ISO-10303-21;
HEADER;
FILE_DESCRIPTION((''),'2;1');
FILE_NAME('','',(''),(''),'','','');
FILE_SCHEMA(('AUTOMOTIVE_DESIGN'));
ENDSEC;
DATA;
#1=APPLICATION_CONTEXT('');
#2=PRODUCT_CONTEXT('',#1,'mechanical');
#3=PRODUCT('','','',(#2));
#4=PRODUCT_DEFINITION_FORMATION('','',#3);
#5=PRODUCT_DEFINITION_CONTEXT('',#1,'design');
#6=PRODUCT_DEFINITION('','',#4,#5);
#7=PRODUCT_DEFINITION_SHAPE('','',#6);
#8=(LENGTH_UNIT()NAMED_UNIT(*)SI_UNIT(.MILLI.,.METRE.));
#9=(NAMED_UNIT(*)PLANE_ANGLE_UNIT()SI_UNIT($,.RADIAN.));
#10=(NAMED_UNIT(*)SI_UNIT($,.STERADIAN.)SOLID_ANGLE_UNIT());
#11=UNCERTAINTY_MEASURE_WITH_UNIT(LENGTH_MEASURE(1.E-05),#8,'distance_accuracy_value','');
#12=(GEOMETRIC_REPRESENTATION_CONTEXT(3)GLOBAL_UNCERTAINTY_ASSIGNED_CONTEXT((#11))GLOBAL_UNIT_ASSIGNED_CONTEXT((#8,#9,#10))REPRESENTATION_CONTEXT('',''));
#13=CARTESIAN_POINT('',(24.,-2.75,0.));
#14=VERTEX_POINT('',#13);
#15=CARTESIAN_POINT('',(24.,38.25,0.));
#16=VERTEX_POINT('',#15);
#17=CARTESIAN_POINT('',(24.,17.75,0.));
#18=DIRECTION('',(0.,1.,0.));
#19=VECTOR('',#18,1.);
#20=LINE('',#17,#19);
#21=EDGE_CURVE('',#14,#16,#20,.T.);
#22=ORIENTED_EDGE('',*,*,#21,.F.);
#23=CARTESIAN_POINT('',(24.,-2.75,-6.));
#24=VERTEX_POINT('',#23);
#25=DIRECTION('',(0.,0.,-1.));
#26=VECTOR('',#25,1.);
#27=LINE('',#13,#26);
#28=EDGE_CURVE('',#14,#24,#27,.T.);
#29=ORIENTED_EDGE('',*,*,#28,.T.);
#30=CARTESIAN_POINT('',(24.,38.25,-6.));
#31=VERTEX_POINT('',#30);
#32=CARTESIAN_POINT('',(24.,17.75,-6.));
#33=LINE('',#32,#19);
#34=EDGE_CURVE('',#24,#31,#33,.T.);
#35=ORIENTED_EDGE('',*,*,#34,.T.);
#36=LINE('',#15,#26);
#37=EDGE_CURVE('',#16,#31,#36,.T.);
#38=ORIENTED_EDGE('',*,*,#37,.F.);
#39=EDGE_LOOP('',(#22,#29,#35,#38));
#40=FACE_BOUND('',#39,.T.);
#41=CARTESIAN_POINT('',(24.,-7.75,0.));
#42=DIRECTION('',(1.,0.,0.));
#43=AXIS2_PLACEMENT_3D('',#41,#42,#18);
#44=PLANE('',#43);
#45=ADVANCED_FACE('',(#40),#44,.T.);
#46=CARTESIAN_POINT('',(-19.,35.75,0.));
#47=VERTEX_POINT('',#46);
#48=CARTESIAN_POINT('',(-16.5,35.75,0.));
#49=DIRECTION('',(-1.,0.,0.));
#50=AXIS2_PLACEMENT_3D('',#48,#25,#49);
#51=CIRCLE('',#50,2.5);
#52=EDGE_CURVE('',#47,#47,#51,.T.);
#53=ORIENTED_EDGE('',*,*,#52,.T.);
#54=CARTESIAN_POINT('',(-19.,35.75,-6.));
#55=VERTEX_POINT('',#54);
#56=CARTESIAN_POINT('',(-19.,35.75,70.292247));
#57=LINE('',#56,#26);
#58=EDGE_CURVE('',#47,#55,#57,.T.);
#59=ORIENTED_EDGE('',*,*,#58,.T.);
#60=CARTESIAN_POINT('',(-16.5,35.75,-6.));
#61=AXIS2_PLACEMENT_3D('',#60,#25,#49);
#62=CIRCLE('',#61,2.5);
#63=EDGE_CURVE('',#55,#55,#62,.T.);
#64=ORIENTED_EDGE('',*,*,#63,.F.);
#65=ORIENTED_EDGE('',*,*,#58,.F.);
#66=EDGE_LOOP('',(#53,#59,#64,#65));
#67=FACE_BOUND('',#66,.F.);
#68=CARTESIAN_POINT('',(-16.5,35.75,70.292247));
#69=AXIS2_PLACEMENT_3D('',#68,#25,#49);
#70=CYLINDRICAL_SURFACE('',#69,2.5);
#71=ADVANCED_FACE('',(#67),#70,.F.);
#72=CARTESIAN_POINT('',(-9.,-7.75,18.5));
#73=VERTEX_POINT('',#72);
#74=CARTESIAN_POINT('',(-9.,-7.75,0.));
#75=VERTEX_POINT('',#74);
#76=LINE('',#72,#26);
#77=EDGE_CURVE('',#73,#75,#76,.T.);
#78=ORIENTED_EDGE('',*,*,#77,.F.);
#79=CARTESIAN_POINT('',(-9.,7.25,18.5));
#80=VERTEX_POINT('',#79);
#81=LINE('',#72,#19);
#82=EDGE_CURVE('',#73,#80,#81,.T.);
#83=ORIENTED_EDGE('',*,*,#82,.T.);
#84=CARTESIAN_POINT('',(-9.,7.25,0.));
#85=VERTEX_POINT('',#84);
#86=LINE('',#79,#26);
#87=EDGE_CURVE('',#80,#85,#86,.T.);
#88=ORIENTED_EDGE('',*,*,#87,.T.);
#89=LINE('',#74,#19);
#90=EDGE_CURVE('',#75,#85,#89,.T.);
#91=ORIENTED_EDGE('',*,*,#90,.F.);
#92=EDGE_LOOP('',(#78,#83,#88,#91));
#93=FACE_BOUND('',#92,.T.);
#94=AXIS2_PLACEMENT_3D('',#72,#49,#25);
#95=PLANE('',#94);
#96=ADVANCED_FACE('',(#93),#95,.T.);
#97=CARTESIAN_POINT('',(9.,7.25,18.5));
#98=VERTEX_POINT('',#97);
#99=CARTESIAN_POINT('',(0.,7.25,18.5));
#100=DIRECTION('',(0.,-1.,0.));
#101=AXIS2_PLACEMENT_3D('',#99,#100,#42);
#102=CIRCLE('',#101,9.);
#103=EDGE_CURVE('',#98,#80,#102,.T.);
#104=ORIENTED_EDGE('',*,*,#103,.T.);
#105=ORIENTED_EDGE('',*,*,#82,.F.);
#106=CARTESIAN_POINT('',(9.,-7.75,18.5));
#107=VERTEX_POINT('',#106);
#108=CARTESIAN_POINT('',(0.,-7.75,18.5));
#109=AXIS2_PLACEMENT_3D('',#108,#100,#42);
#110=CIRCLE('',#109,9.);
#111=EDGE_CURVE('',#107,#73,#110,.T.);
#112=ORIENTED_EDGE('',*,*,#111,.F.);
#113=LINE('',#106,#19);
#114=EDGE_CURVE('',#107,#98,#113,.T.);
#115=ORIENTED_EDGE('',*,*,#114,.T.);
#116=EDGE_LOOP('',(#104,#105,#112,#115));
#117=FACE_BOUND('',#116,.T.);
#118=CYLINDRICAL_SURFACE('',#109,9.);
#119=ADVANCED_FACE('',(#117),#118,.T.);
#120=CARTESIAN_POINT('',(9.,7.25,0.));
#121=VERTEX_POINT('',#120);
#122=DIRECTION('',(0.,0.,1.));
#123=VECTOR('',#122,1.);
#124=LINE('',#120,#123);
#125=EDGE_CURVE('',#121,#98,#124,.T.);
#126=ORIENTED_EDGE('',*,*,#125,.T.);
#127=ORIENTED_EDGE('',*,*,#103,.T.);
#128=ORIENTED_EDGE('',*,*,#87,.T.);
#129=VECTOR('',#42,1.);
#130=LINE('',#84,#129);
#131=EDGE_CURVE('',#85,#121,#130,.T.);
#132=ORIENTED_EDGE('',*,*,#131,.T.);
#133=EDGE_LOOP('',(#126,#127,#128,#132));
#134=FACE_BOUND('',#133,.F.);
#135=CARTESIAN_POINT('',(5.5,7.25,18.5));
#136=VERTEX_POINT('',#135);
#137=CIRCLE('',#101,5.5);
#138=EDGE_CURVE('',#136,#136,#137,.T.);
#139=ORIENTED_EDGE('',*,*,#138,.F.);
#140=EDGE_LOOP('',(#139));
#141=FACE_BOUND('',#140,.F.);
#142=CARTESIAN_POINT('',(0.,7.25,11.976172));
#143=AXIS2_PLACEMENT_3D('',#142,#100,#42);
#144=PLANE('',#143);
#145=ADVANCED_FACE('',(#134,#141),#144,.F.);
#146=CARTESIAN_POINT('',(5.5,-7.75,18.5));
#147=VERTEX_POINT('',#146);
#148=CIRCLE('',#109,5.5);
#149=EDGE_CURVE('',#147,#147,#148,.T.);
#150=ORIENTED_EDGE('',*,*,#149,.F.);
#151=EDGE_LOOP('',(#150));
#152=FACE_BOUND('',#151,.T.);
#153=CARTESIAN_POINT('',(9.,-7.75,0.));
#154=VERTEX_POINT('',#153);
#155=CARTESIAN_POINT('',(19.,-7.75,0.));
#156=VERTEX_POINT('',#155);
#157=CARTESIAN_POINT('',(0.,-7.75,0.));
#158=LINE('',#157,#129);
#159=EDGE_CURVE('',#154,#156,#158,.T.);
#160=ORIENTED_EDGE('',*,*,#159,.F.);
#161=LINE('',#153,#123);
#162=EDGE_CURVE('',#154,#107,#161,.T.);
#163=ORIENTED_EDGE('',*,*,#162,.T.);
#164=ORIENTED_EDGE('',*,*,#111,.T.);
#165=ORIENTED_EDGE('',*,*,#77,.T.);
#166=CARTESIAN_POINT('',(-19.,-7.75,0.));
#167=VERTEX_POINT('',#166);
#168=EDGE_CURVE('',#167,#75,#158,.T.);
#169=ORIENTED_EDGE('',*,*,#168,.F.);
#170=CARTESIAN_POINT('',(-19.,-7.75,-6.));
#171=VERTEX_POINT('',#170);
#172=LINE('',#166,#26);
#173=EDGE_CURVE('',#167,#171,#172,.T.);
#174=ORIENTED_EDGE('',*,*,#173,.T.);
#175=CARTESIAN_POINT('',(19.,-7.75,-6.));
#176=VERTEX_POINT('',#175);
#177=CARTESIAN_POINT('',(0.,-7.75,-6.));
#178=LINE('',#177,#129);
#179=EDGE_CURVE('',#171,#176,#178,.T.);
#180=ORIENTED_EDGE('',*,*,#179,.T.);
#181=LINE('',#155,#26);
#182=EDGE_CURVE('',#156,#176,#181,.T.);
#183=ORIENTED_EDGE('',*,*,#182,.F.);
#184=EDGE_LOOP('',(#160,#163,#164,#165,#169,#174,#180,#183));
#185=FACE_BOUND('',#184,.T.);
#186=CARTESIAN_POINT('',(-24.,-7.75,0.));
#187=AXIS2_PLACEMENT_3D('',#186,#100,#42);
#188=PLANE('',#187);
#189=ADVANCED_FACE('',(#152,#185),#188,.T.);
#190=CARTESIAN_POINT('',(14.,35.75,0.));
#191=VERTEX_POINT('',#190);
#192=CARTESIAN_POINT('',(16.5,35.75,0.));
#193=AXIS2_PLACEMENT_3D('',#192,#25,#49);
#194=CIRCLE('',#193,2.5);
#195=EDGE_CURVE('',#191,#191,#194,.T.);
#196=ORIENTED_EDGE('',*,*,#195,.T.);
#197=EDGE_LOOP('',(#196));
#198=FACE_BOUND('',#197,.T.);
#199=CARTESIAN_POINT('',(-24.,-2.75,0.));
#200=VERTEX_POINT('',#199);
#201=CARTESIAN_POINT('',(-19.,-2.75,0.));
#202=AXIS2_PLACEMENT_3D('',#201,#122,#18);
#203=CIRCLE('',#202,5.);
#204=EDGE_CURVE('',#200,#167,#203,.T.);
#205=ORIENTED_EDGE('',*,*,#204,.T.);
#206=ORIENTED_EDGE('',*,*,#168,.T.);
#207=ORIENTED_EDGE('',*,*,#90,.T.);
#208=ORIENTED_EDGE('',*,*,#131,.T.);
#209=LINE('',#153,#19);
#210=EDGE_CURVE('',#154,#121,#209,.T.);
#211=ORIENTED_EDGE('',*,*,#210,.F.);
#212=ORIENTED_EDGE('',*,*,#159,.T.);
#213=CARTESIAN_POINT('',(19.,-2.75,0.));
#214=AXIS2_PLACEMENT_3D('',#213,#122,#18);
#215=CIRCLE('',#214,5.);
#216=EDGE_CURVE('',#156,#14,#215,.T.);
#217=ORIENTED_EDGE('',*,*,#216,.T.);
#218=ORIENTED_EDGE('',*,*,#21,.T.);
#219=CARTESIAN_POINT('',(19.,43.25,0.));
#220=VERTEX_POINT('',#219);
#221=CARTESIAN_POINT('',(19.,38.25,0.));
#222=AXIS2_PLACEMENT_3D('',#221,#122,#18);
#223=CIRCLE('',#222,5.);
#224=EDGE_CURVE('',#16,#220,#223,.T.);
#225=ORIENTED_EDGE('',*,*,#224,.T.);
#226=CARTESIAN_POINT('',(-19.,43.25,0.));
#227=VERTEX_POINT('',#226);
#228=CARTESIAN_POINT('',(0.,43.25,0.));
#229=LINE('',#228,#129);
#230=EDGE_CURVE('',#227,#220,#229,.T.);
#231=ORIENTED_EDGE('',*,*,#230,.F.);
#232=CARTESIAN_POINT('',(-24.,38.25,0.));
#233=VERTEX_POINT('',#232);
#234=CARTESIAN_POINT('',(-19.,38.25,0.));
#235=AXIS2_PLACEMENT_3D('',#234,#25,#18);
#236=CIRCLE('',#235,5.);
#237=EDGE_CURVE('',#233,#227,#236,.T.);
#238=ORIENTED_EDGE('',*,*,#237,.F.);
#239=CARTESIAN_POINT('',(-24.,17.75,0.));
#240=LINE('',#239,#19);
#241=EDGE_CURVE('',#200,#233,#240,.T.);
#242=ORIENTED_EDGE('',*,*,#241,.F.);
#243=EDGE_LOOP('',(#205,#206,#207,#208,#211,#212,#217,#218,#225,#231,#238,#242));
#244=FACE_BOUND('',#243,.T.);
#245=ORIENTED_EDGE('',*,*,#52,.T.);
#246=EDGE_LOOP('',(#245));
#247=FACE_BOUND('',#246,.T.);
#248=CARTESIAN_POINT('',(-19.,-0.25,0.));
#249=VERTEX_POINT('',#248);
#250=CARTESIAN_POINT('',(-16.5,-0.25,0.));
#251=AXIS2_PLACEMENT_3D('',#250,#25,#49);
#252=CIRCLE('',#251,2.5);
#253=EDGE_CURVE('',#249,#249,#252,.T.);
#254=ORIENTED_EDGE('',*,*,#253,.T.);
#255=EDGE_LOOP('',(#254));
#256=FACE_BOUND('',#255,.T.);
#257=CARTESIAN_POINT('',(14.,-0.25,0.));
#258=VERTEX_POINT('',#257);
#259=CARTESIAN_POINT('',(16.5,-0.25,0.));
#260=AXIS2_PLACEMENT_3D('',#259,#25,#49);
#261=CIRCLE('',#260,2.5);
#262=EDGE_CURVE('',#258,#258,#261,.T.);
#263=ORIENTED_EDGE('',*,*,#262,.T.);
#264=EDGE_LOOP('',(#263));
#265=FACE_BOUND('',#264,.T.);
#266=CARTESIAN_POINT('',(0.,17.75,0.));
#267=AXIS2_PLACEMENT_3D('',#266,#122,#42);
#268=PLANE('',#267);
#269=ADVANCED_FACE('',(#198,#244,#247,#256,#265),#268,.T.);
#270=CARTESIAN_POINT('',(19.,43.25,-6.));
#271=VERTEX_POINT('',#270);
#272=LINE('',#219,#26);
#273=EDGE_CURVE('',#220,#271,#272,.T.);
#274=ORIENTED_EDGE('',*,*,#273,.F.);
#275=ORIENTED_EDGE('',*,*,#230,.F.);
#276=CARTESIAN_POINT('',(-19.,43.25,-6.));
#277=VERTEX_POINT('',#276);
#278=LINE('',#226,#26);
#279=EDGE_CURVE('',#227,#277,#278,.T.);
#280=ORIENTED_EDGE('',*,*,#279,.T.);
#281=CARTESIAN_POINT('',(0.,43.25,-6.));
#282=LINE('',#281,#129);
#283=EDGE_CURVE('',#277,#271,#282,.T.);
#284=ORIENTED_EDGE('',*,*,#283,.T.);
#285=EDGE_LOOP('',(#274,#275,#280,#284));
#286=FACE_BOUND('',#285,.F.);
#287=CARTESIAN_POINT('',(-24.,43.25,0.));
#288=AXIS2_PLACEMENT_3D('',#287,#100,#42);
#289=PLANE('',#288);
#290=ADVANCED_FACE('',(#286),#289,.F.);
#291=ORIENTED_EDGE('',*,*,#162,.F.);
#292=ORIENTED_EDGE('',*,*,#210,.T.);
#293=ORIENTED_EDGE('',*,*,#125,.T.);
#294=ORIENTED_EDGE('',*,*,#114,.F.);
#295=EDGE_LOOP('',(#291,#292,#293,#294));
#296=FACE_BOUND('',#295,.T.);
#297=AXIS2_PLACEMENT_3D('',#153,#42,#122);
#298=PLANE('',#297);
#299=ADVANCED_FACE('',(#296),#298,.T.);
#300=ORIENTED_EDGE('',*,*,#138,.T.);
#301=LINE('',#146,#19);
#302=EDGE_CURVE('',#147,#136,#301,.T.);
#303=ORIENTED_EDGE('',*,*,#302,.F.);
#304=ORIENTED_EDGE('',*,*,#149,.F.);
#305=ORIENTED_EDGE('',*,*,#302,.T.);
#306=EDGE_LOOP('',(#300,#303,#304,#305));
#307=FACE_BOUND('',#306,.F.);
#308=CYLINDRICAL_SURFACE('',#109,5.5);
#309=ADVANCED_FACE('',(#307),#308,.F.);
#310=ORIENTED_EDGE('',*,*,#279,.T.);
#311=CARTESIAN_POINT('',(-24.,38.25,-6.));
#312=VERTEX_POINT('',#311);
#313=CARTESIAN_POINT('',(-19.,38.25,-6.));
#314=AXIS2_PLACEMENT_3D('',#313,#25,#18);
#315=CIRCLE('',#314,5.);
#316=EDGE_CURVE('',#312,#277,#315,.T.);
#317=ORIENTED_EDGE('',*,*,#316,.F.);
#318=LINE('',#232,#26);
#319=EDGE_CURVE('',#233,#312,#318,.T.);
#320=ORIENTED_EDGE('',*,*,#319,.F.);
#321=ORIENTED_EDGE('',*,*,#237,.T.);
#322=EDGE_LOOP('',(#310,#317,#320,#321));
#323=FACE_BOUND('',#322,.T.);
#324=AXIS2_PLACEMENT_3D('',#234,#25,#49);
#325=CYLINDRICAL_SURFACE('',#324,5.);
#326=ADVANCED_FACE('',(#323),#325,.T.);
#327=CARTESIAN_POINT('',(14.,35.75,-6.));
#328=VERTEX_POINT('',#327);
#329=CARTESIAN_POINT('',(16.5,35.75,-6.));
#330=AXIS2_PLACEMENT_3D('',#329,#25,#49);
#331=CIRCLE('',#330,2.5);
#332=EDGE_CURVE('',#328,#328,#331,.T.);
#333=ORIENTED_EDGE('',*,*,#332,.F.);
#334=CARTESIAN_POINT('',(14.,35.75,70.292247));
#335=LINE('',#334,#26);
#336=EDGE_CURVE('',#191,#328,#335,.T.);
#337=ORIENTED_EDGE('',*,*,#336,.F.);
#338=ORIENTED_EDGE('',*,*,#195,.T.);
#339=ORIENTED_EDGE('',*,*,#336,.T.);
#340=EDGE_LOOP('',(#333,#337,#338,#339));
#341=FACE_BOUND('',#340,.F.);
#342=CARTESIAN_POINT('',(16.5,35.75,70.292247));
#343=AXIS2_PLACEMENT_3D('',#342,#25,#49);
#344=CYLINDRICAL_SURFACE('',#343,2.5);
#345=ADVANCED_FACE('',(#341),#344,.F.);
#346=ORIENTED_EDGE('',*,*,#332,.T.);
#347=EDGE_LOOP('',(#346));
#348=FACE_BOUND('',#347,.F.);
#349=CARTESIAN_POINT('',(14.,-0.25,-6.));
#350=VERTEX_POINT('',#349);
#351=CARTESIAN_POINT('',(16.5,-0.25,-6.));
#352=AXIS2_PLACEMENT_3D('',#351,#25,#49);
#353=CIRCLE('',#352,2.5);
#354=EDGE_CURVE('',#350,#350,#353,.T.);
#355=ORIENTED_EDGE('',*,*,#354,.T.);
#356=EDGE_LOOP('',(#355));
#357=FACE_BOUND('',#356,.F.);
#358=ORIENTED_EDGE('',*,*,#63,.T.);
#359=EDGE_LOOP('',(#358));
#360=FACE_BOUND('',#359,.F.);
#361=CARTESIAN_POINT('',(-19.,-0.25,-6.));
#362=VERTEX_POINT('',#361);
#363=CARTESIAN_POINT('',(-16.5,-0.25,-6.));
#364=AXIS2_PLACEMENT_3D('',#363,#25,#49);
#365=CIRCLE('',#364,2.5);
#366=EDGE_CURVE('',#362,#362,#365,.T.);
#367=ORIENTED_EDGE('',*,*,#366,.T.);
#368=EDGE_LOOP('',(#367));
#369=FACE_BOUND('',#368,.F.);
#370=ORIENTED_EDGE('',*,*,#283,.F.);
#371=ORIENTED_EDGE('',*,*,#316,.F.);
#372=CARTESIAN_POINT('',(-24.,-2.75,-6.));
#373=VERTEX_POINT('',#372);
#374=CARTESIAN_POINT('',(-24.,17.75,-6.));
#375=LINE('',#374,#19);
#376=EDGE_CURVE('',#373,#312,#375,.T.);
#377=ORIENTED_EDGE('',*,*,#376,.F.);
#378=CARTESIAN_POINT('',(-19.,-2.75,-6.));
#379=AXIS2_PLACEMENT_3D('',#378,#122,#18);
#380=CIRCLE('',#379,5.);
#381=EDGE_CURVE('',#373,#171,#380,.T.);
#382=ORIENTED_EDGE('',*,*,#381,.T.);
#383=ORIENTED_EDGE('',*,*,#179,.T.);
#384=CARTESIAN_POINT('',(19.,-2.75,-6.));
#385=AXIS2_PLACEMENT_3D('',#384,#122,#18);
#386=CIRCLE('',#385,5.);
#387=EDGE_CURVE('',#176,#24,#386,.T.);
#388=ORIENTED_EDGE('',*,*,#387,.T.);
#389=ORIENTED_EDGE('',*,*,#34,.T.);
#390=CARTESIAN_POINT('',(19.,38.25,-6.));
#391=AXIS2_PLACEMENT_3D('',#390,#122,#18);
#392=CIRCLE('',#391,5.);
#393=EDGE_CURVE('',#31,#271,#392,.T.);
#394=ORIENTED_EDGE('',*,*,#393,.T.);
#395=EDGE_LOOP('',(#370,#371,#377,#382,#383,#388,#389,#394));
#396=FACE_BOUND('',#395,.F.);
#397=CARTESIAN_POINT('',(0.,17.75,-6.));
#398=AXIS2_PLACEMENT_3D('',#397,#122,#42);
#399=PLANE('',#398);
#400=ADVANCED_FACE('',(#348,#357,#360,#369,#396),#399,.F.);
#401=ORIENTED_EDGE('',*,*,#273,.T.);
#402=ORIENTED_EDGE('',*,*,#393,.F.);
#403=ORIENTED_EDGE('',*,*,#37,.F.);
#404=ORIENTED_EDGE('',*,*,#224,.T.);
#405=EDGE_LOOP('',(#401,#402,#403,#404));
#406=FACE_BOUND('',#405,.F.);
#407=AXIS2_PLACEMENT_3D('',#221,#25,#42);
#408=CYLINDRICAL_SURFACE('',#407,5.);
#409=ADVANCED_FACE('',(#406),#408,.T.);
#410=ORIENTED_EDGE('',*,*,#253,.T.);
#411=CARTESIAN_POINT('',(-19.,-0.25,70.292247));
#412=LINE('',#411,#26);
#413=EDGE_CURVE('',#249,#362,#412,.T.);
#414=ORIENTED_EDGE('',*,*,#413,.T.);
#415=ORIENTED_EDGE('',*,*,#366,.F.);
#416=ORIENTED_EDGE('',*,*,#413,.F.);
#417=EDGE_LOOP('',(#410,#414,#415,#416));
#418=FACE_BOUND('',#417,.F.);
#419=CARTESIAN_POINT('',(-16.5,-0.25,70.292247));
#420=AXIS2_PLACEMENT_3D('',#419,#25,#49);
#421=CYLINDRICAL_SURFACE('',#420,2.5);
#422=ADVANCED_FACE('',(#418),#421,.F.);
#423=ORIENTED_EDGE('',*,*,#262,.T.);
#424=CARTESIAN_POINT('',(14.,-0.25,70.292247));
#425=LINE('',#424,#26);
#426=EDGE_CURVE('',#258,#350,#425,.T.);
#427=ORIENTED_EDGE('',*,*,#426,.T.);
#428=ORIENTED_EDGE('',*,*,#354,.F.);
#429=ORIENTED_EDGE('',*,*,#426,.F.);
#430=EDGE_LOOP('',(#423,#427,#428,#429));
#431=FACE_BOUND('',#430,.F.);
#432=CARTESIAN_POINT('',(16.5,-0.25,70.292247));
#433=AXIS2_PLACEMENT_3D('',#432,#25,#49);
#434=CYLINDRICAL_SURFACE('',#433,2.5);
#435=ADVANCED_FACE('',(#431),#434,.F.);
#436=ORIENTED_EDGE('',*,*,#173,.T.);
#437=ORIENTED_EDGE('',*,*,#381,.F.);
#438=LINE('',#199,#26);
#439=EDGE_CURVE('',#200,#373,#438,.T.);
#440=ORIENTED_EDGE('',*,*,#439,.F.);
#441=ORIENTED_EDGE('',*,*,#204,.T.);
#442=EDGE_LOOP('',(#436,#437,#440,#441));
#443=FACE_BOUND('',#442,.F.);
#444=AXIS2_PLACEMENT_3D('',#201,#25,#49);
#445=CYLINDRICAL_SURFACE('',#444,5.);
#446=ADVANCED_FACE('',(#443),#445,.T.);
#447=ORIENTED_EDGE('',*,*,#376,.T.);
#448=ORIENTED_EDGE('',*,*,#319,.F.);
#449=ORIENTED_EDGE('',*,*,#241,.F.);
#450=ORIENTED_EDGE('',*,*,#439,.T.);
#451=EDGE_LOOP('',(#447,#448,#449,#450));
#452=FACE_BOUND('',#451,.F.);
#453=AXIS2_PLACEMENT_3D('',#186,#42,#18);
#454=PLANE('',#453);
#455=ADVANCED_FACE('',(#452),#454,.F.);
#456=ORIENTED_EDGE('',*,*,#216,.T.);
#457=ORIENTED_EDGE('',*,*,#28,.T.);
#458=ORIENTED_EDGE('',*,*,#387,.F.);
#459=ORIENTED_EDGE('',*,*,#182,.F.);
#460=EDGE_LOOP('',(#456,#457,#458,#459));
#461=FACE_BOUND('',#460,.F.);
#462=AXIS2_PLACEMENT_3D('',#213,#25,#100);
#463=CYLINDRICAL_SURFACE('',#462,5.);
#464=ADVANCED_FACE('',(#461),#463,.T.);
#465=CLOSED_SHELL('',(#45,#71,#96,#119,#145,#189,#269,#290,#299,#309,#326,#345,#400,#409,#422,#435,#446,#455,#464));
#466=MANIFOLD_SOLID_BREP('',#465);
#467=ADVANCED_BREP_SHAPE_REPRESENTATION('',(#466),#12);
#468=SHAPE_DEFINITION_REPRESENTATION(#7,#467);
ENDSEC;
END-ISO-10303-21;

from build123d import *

# Parameters (mm, degrees)
F0_W     = 48
F0_H     = 51
F1_DEPTH = 6
F2_R     = 5
F3_D     = 5
F4_R     = 5.5
F5_DEPTH = 15


with BuildPart() as f1:
    # F0 (on Top) → F1 (new body)
    with BuildSketch(Plane.XY):
        with Locations((0, 17.75)):
            Rectangle(F0_W, F0_H)
    extrude(amount=-F1_DEPTH)

    # F2
    f2_edges = [f1.edges().sort_by_distance(p)[0] for p in [
        (24, -7.75, -3),
        (24, 43.25, -3),
        (-24, 43.25, -3),
        (-24, -7.75, -3),
    ]]
    fillet(f2_edges, radius=F2_R)

    # F3 (through all)
    with Locations(Plane.XY):
        with Locations((16.5, -0.25), (-16.5, -0.25), (16.5, 35.75), (-16.5, 35.75)):
            Hole(F3_D / 2)

    # F4 (on face) → F5 (join)
    with BuildSketch(Plane.XZ.offset(7.75)):
        with BuildLine():
            Line((9, 0), (9, 18.5))
            ThreePointArc((9, 18.5), (0, 27.5), (-9, 18.5))
            Line((-9, 18.5), (-9, 0))
            Line((-9, 0), (9, 0))
        make_face()
        with Locations((0, 18.5)):
            Circle(F4_R, mode=Mode.SUBTRACT)
    extrude(amount=-F5_DEPTH)


solid = f1.part
